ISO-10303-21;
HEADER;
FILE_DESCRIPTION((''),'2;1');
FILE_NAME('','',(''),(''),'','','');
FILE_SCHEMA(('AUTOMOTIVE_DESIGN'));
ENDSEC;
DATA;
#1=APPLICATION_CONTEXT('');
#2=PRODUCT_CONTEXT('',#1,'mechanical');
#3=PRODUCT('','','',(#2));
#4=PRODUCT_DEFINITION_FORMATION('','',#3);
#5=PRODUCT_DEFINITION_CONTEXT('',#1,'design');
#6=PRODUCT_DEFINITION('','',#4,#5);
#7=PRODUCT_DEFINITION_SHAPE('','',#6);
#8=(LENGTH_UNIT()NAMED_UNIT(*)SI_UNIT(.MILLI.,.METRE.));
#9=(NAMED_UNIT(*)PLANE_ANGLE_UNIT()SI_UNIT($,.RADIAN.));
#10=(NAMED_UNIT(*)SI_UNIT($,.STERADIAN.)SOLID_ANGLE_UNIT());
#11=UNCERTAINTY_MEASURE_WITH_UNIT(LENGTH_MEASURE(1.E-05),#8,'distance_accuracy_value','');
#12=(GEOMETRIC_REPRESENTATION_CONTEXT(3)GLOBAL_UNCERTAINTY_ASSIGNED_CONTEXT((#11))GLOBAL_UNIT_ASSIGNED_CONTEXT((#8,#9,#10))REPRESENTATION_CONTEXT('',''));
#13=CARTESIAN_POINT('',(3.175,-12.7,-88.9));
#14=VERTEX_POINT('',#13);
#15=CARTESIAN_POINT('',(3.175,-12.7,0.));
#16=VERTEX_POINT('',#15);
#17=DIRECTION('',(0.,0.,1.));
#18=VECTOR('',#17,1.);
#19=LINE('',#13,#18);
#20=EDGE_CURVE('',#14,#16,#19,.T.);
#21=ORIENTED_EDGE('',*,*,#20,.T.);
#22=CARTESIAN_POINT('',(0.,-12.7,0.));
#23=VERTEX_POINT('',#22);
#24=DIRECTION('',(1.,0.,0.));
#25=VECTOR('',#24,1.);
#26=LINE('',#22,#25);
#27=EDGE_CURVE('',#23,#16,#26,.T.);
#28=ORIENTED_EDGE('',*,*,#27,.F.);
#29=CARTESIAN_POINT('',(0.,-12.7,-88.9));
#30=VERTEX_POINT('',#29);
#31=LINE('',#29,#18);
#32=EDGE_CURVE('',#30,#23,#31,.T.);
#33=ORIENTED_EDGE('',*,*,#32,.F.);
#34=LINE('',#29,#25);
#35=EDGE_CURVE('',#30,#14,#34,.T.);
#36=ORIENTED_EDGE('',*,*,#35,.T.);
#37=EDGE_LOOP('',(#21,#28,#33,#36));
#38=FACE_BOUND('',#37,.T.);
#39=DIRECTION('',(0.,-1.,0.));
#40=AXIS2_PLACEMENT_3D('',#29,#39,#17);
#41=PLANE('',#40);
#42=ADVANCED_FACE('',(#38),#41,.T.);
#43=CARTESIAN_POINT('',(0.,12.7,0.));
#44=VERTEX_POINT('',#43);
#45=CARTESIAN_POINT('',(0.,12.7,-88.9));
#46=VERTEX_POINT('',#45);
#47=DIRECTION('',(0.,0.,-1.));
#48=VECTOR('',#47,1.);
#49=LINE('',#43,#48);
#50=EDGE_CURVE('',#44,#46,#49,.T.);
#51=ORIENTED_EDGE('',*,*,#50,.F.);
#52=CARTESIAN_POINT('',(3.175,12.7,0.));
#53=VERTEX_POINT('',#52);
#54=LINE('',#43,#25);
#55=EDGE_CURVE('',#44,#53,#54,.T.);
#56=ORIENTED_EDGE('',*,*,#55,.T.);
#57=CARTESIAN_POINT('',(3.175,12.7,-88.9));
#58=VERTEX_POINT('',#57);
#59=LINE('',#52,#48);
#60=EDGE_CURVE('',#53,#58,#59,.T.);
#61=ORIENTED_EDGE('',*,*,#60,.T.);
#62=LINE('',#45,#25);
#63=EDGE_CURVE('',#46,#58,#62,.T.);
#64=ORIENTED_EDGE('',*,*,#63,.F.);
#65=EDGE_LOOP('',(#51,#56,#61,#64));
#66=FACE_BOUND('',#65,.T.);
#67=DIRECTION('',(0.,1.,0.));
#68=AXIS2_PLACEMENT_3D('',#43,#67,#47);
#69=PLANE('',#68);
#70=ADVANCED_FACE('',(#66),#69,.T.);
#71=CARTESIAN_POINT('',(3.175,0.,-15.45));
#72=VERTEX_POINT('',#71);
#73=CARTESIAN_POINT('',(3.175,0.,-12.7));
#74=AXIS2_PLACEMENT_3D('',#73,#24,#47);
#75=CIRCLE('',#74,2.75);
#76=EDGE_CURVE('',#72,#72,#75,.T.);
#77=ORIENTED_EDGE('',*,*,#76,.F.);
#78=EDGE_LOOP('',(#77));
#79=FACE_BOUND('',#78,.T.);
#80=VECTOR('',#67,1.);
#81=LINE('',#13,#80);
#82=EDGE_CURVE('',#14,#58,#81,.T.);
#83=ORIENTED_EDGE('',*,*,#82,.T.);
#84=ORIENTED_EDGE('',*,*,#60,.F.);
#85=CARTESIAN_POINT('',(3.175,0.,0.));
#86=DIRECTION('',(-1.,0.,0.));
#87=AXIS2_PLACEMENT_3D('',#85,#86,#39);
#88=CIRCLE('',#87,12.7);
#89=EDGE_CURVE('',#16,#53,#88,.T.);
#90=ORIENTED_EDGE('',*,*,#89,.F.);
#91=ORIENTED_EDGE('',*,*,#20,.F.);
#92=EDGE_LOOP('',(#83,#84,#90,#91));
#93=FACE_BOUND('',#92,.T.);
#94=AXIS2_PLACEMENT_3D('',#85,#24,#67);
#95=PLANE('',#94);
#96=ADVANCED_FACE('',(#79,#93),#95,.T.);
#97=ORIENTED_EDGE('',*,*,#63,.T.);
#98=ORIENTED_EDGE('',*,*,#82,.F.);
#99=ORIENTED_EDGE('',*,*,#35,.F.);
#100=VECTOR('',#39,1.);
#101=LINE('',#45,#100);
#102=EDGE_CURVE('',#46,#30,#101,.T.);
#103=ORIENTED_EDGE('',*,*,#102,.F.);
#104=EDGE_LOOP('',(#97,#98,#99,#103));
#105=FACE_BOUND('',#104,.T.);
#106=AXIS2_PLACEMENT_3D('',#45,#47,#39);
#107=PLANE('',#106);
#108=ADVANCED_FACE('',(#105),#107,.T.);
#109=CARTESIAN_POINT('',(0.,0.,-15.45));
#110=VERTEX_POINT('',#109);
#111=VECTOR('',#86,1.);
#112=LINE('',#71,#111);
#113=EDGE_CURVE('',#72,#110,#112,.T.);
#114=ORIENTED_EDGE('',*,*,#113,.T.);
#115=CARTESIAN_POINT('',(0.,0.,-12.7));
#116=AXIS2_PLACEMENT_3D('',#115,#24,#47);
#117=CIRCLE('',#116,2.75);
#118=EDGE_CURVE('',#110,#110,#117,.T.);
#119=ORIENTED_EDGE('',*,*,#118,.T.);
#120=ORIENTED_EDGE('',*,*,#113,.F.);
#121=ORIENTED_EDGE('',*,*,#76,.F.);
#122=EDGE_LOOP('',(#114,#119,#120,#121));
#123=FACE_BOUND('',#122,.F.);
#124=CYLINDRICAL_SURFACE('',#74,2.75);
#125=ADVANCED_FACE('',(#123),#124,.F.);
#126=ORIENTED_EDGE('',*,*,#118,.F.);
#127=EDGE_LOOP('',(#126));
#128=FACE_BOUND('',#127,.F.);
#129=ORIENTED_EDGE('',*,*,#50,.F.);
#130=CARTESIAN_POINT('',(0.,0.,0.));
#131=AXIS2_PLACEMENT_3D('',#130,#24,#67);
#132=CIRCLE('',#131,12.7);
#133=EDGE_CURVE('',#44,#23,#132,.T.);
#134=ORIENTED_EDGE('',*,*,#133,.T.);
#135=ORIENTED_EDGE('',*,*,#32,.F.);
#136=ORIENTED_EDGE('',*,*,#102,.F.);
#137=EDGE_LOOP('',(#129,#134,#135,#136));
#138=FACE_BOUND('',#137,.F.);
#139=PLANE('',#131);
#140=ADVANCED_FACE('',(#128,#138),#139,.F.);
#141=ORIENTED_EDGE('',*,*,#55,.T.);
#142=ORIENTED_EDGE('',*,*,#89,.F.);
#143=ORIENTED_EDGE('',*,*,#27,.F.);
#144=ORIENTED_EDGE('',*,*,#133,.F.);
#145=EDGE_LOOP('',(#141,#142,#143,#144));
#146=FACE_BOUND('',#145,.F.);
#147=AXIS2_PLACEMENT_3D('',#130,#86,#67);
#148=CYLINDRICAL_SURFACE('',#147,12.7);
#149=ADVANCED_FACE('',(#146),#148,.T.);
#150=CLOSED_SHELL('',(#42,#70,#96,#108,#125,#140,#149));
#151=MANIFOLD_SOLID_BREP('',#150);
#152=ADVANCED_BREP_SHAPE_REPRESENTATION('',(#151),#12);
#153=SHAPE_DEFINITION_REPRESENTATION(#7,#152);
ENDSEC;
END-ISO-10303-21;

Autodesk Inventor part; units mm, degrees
ref_plane "YZ Plane" through (0, 0, 0) normal (1, 0, 0) x (0, 1, 0)
ref_plane "XZ Plane" through (0, 0, 0) normal (0, 1, 0) x (-1, 0, 0)
ref_plane "XY Plane" through (0, 0, 0) normal (0, 0, 1) x (1, 0, 0)
sketch "Sketch1" plane through (0, 0, 0) normal (1, 0, 0) x (0, 1, 0)
  circle A0 centre (0, 0) radius 12.7
  line L0 (0, 12.7) -> (0, -88.9)
  line L1 (12.7, 0) -> (12.7, -88.9)
  line L2 (12.7, -88.9) -> (0, -88.9)
  line L3 (-12.7, -88.9) -> (-12.7, 0)
  line L4 (0, -88.9) -> (-12.7, -88.9)
  dimension "d0" = 25.4
  dimension "d1" = 101.6
extrude "Extrusion1" add sketch "Sketch1" along normal blind 3.175
sketch "Sketch6" plane through (3.175, 0, 0) normal (1, 0, 0) x (0, 0, -1)
  circle A0 centre (12.7, 0) radius 2.75
  point P0 (0, 0)
  dimension "d8" = 5.5
extrude "Extrusion2" cut sketch "Sketch6" against normal through all
properties part number "thing4" material "Aluminum 6061"
